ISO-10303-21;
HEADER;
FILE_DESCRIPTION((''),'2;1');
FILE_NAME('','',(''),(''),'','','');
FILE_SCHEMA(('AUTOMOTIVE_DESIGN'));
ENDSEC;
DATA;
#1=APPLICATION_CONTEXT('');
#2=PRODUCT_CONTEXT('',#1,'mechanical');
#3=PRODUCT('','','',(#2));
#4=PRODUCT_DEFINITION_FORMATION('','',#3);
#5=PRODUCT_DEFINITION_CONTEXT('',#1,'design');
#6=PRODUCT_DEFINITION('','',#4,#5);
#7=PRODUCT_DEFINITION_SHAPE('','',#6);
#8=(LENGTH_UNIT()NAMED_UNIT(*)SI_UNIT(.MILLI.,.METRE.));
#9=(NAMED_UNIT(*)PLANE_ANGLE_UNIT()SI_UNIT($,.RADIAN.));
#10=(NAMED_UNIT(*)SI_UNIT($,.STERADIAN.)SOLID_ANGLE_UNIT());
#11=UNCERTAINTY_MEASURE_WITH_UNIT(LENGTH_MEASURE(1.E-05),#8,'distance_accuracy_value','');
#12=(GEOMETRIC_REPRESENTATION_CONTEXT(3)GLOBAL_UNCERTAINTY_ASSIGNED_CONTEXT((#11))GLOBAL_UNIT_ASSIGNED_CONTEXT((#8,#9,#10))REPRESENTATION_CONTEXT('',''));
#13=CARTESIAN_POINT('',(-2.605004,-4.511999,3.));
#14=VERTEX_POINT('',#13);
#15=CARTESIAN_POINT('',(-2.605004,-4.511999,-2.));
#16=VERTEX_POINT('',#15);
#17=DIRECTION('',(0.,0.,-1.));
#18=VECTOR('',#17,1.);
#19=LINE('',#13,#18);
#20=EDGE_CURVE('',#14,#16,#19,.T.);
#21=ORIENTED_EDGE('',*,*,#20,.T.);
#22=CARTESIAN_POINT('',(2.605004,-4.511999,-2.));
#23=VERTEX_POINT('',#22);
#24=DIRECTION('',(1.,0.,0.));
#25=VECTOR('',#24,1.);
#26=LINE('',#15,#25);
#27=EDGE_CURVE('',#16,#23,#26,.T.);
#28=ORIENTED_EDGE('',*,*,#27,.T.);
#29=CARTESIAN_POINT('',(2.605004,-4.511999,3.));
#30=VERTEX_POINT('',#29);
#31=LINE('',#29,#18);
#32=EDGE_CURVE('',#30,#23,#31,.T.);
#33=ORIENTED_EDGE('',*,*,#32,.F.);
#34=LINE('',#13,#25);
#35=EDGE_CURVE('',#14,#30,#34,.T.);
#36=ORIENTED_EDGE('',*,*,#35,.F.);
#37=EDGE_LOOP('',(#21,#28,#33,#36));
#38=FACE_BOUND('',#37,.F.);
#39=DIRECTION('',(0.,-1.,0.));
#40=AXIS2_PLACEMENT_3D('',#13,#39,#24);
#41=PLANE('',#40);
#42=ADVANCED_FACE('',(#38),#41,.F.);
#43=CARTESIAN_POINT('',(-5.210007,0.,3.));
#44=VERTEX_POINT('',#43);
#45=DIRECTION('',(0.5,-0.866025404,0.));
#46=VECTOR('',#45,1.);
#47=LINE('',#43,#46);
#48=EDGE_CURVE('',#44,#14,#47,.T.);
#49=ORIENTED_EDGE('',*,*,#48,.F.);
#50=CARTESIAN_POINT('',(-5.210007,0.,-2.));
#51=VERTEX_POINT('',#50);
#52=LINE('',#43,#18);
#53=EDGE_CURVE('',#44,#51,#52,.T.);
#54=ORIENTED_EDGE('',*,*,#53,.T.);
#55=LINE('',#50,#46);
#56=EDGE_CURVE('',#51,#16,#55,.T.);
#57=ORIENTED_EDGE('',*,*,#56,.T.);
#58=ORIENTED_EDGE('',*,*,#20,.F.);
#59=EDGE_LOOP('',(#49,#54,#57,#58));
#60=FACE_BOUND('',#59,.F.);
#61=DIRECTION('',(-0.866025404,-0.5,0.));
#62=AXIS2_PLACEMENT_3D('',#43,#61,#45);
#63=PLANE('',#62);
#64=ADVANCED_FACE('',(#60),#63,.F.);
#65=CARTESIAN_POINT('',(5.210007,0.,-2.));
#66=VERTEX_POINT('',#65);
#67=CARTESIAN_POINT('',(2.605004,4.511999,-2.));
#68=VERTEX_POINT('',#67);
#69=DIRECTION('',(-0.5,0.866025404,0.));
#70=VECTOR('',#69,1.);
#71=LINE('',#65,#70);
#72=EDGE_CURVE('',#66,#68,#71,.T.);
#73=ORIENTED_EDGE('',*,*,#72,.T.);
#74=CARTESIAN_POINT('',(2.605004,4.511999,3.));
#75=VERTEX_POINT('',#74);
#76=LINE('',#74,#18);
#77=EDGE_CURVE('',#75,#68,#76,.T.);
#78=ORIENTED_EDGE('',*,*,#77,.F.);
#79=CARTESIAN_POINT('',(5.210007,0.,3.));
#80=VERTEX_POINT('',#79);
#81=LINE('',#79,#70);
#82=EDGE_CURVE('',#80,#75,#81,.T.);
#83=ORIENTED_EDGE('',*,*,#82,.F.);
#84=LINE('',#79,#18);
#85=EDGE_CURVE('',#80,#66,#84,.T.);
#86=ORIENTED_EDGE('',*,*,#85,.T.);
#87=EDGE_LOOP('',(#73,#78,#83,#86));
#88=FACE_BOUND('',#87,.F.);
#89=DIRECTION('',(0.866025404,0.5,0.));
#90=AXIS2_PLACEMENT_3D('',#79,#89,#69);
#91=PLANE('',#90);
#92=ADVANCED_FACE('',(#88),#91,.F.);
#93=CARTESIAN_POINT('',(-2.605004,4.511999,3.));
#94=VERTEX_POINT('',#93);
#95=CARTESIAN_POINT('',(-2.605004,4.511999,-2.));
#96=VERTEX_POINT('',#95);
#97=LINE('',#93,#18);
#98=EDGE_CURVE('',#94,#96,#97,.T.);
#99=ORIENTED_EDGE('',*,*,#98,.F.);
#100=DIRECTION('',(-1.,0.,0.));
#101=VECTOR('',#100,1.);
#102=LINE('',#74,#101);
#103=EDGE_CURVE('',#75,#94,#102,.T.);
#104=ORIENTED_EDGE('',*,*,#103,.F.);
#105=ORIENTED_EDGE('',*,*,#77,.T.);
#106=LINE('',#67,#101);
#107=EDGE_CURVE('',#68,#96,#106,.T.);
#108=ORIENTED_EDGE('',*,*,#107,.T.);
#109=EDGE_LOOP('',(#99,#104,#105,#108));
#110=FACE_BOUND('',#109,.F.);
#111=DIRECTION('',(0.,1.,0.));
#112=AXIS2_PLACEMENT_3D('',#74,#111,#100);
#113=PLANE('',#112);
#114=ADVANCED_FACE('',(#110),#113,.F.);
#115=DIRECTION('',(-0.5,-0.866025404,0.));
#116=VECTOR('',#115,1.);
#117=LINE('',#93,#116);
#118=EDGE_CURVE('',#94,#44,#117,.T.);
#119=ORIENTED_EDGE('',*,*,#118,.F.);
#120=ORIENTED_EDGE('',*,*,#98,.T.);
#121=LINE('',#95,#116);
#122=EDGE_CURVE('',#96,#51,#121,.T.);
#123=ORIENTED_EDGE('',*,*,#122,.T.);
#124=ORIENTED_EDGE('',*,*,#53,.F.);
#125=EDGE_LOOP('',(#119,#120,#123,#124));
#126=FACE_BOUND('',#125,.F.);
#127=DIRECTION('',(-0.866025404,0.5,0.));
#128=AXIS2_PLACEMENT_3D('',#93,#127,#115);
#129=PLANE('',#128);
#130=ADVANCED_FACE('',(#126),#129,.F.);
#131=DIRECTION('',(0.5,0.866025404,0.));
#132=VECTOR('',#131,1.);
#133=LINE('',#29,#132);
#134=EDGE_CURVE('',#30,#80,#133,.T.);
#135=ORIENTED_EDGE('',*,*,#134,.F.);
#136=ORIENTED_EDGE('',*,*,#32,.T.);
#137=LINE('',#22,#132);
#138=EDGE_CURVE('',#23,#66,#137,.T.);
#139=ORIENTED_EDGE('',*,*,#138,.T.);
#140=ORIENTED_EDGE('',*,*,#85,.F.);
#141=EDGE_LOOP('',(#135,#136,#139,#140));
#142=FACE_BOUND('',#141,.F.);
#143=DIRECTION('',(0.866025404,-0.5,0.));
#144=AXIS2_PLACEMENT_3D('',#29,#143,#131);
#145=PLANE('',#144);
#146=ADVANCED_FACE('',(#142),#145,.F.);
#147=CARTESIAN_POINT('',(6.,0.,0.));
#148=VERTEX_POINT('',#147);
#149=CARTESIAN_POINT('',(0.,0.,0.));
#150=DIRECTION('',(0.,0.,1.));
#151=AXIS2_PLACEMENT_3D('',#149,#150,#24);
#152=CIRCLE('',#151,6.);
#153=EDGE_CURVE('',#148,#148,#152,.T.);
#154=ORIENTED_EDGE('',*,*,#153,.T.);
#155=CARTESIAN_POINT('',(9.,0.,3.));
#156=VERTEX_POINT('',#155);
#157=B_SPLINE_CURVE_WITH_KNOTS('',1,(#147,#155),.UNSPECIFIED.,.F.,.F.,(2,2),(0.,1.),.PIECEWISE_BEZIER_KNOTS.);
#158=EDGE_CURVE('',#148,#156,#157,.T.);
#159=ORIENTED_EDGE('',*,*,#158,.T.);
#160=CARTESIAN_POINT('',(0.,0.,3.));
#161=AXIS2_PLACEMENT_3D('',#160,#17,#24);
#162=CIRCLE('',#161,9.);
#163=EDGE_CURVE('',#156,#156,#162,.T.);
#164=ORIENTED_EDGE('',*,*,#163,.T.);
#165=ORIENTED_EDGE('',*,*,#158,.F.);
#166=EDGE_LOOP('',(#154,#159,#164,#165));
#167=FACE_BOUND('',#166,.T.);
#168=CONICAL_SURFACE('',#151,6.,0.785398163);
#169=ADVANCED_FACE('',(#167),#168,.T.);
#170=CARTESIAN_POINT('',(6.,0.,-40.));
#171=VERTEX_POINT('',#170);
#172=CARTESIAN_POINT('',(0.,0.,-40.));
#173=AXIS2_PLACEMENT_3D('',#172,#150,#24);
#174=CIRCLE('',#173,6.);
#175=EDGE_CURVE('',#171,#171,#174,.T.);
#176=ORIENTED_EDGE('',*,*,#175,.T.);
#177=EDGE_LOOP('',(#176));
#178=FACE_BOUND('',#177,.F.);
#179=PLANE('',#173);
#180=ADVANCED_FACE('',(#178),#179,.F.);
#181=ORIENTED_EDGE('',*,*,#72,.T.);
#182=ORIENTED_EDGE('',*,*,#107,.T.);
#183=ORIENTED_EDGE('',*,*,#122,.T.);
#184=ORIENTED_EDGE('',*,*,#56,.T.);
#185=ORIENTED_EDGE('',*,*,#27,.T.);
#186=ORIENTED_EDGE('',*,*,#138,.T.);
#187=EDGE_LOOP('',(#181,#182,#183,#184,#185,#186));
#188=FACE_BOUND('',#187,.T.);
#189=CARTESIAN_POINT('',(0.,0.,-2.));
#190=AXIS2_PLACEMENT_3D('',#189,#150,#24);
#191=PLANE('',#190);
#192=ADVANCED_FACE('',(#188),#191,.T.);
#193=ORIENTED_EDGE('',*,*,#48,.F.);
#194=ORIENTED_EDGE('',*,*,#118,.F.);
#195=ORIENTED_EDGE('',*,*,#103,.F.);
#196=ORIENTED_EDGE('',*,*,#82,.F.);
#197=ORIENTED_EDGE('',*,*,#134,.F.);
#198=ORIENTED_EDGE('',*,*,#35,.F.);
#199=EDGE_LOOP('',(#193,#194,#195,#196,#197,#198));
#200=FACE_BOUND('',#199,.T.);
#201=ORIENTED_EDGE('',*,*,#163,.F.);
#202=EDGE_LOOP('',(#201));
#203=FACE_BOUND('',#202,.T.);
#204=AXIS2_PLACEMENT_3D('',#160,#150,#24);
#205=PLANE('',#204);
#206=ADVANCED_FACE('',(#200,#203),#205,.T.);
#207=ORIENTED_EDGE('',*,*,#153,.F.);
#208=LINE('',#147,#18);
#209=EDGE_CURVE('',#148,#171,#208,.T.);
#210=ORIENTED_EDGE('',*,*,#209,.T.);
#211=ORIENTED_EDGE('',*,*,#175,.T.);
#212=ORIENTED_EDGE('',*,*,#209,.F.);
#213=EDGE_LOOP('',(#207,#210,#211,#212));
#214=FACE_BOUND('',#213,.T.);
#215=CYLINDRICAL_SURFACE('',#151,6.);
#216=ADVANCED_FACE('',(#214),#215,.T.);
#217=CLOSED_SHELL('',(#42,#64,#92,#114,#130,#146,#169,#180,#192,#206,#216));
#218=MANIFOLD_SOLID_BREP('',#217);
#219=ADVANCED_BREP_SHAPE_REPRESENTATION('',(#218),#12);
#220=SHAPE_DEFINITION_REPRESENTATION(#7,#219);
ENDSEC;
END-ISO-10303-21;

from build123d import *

# Parameters (mm, degrees)
F0_R     = 6
F1_DEPTH = 3
F1_TAPER = -45
F2_DEPTH = 40
F4_DEPTH = 5


with BuildPart() as f1:
    # F0 (on Top) → F1 (new body)
    with BuildSketch(Plane.XY):
        Circle(F0_R)
    extrude(amount=F1_DEPTH, taper=F1_TAPER)

    # F0 (on Top) → F2 (join)
    with BuildSketch(Plane.XY):
        Circle(F0_R)
    extrude(amount=-F2_DEPTH)

    # F3 (on face) → F4 (cut)
    with BuildSketch(Plane.XY.offset(3)):
        Polygon((2.6050036522, -4.5119986795), (5.2100073044, 0), (2.6050036522, 4.5119986795), (-2.6050036522, 4.5119986795), (-5.2100073044, 0), (-2.6050036522, -4.5119986795), align=None)
    extrude(amount=-F4_DEPTH, mode=Mode.SUBTRACT)


solid = f1.part
